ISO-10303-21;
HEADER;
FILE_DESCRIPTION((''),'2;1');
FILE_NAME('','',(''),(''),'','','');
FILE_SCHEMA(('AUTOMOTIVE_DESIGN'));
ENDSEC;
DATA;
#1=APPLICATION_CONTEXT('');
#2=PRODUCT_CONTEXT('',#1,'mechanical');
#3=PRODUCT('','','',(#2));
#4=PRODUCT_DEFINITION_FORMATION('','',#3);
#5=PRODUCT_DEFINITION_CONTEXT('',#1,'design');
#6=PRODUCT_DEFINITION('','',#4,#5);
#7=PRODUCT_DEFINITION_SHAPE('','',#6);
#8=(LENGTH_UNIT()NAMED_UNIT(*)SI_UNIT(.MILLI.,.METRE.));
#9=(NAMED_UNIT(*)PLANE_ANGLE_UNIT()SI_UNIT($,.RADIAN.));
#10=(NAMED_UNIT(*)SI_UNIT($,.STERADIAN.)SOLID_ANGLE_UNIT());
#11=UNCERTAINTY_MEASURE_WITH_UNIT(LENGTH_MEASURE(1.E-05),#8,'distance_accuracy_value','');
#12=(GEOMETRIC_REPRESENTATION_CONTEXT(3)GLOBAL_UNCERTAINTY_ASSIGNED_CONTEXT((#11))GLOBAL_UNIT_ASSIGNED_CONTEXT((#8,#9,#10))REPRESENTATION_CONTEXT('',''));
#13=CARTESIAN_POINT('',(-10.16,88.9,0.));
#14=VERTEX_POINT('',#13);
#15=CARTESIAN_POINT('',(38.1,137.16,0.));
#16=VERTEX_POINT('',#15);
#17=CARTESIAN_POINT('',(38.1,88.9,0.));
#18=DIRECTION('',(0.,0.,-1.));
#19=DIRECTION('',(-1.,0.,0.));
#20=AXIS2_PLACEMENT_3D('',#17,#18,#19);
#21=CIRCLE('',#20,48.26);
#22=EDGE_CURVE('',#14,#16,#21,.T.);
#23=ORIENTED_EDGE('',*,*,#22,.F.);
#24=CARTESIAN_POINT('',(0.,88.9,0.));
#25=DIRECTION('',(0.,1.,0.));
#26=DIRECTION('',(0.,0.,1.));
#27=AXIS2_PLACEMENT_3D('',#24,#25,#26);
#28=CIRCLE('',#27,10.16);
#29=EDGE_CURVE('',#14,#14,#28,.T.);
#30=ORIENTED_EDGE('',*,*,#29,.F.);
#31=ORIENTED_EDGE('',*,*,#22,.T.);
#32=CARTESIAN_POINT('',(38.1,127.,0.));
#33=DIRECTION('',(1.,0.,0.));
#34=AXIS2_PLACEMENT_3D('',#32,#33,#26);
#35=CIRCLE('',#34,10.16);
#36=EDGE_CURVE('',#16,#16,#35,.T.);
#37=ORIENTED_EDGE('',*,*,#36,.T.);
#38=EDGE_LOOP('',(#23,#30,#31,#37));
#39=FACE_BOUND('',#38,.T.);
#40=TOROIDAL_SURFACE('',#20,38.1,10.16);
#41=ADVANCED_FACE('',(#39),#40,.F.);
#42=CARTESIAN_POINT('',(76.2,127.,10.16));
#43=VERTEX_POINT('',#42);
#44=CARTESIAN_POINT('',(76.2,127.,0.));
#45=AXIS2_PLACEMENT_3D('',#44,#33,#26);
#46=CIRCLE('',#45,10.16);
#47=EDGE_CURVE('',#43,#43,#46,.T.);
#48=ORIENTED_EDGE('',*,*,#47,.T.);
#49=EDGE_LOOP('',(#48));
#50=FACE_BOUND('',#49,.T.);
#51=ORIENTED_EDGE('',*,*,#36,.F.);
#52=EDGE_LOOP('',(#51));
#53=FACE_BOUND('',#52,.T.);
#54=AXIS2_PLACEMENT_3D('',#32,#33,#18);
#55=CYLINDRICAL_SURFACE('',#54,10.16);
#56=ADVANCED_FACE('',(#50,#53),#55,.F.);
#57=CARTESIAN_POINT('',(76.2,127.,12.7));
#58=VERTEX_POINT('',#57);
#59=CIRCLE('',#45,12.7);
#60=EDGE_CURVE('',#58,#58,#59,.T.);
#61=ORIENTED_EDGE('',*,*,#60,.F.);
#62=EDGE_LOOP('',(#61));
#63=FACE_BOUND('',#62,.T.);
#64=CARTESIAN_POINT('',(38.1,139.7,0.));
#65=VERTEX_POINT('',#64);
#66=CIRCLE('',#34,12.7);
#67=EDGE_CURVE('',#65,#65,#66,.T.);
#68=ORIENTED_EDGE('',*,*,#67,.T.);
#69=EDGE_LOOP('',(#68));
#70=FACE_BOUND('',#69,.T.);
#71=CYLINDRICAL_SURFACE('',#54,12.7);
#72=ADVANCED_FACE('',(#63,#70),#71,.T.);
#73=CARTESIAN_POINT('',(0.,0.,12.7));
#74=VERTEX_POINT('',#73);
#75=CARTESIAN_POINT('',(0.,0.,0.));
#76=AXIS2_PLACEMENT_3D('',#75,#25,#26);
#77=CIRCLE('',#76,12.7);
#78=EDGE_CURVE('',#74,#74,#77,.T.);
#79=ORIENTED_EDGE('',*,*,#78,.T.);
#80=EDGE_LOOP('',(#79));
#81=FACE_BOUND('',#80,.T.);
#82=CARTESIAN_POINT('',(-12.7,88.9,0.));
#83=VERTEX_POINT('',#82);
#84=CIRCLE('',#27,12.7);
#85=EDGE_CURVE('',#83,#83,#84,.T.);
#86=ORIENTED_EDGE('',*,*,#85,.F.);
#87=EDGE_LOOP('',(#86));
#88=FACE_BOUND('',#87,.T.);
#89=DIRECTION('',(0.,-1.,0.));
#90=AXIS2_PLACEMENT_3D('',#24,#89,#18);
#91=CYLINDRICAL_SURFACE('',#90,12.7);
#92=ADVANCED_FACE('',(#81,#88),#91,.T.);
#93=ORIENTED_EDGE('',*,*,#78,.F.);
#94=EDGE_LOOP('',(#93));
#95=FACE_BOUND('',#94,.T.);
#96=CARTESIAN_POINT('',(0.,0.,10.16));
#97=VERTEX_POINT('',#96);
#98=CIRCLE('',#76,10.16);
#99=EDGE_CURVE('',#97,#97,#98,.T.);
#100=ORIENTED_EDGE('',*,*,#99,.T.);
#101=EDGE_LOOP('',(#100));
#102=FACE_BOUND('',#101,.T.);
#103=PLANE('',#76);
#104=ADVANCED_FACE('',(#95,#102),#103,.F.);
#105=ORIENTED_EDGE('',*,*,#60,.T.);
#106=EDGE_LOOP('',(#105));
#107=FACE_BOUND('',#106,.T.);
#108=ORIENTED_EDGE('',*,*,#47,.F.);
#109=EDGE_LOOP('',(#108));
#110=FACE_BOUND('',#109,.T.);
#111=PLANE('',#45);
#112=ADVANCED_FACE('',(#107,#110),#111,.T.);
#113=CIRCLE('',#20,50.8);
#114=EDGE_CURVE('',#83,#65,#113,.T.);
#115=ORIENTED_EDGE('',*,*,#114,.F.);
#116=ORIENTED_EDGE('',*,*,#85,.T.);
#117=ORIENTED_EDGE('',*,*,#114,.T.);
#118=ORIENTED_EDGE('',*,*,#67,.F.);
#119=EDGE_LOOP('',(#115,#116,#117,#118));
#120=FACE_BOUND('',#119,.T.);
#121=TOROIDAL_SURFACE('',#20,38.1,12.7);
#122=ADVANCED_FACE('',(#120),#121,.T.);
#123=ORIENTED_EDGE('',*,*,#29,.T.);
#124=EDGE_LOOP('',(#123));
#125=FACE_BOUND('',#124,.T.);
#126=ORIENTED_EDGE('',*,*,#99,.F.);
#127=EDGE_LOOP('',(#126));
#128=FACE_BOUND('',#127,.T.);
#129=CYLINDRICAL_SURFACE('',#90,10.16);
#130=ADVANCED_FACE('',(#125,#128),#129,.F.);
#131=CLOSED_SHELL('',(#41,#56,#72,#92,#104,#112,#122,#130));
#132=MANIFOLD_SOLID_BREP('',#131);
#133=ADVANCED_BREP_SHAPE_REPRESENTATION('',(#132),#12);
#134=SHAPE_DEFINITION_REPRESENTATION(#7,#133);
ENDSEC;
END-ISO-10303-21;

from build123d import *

# Parameters (mm, degrees)
SKETCH1_R   = 12.7
SKETCH1_R_2 = 10.16


with BuildPart() as part:
    # Sweep1: sweep along a path in Sketch3
    with BuildLine(Plane.XY) as sweep1_path:
        Line((0, 0), (0, 88.9))
        ThreePointArc((0, 88.9), (11.159231637, 115.840768363), (38.1, 127))
        Line((38.1, 127), (76.2, 127))
    # Sketch1 → Sweep1 (sweep)
    with BuildSketch(Plane(origin=(0, 0, 0), x_dir=(1, 0, 0), z_dir=(0, 1, 0))):
        Circle(SKETCH1_R)
        Circle(SKETCH1_R_2, mode=Mode.SUBTRACT)
    sweep(path=sweep1_path.line)


solid = part.part
